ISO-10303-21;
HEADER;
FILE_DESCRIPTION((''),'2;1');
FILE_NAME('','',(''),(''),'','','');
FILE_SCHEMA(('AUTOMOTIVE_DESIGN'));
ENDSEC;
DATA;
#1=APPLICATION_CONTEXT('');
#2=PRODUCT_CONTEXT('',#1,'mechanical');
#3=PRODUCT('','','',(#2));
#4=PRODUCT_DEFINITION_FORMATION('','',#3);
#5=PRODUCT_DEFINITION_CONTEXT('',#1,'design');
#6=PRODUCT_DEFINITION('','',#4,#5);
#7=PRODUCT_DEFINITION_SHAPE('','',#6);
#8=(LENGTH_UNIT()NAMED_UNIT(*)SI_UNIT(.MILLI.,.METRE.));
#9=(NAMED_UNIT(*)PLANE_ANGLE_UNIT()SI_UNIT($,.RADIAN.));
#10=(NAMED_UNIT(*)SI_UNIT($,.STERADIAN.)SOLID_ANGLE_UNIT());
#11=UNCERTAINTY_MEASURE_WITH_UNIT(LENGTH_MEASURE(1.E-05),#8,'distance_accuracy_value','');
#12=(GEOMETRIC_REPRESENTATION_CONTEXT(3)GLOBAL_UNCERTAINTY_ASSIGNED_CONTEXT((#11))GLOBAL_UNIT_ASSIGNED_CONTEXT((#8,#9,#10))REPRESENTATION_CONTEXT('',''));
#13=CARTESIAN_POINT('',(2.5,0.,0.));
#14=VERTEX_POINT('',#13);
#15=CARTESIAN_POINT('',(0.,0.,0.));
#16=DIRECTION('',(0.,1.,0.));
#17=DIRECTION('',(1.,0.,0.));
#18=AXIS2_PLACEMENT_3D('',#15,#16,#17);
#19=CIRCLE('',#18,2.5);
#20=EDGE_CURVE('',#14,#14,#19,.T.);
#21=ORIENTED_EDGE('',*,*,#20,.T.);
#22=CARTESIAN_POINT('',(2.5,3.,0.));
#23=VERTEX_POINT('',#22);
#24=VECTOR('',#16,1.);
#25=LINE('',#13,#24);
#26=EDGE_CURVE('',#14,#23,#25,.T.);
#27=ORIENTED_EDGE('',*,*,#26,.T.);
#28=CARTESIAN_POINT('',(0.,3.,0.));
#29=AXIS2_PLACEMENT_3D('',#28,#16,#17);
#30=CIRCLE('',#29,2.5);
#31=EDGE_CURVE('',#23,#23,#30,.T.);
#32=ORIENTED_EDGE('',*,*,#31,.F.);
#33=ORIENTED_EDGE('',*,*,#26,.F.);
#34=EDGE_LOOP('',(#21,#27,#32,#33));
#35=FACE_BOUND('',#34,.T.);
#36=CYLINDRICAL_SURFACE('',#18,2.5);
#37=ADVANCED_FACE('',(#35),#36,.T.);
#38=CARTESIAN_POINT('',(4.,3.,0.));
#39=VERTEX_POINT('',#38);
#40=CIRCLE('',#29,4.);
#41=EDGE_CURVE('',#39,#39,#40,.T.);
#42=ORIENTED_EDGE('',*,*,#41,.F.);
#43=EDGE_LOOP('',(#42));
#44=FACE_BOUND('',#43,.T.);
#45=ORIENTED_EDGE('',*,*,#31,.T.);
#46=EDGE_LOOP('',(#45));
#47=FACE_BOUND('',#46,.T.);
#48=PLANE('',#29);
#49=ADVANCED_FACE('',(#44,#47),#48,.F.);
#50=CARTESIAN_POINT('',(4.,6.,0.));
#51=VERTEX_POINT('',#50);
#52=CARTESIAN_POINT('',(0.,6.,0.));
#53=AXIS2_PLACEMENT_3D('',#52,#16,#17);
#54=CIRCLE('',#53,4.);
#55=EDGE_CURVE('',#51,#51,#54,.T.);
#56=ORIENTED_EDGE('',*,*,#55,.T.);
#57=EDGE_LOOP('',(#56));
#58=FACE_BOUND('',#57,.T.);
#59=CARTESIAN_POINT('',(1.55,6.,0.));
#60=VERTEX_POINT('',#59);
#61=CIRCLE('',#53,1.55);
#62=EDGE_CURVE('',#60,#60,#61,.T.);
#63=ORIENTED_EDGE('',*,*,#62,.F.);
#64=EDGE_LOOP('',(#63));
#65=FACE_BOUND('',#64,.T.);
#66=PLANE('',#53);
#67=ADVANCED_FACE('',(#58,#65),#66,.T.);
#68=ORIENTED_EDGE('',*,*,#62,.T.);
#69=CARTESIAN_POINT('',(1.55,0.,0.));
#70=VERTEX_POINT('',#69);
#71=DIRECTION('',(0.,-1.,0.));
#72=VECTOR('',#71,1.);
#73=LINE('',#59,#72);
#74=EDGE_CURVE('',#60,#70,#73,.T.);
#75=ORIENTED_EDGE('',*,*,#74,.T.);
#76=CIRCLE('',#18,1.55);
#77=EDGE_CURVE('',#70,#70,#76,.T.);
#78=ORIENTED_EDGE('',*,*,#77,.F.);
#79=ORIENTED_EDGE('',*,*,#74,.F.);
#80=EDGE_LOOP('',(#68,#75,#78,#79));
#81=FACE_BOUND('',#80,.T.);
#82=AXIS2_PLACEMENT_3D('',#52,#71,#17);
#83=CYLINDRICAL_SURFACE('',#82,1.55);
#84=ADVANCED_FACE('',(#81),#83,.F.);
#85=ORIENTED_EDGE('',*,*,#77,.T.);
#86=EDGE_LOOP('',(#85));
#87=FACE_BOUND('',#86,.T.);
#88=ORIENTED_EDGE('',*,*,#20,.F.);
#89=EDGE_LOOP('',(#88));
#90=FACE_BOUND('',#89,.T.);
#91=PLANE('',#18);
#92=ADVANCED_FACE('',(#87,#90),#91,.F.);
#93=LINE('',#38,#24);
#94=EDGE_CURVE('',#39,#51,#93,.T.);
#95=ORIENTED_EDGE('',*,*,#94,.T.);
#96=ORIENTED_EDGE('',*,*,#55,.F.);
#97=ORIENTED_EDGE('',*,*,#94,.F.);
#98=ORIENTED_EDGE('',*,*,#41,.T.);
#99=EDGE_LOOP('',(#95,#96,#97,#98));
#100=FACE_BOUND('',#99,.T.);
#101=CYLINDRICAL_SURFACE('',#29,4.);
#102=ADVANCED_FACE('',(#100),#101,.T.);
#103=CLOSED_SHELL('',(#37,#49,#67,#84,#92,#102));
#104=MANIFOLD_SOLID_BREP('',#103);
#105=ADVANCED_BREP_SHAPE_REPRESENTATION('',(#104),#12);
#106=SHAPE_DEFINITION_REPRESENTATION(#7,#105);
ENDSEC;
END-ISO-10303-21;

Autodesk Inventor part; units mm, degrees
ref_plane "YZ Plane" through (0, 0, 0) normal (1, 0, 0) x (0, 1, 0)
ref_plane "XZ Plane" through (0, 0, 0) normal (0, 1, 0) x (-1, 0, 0)
ref_plane "XY Plane" through (0, 0, 0) normal (0, 0, 1) x (1, 0, 0)
sketch "Sketch1" plane through (0, 0, 0) normal (0, 0, 1) x (1, 0, 0)
  line L0 (2.5, 0) -> (2.5, 3)
  line L1 (2.5, 3) -> (4, 3)
  line L2 (4, 3) -> (4, 6)
  line L3 (4, 6) -> (1.55, 6)
  line L4 (1.55, 6) -> (1.55, 0)
  line L5 (0, 0) -> (0, 8.8913)
  line L6 (1.55, 0) -> (2.5, 0)
  dimension "d0" = 5
  dimension "d1" = 3
  dimension "d2" = 3
  dimension "d3" = 3.1
  dimension "d4" = 8
revolve "Revolution1" add sketch "Sketch1" angle 360 about axis through (0, 0, 0) along (0, 1, 0)
equation "\"d0\" = od_b"
equation "\"d1\" = t2"
equation "\"d2\" = t1"
equation "\"d3\" = id"
equation "\"d4\" = od_a"
equation "\"od_a\" = 8"
equation "\"od_b\" = 5"
equation "\"t1\" = 3"
equation "\"t2\" = 3"
equation "\"id\" = 3.1"
properties part number "ceramic_bushing_M3" material "Silicon Nitride"
